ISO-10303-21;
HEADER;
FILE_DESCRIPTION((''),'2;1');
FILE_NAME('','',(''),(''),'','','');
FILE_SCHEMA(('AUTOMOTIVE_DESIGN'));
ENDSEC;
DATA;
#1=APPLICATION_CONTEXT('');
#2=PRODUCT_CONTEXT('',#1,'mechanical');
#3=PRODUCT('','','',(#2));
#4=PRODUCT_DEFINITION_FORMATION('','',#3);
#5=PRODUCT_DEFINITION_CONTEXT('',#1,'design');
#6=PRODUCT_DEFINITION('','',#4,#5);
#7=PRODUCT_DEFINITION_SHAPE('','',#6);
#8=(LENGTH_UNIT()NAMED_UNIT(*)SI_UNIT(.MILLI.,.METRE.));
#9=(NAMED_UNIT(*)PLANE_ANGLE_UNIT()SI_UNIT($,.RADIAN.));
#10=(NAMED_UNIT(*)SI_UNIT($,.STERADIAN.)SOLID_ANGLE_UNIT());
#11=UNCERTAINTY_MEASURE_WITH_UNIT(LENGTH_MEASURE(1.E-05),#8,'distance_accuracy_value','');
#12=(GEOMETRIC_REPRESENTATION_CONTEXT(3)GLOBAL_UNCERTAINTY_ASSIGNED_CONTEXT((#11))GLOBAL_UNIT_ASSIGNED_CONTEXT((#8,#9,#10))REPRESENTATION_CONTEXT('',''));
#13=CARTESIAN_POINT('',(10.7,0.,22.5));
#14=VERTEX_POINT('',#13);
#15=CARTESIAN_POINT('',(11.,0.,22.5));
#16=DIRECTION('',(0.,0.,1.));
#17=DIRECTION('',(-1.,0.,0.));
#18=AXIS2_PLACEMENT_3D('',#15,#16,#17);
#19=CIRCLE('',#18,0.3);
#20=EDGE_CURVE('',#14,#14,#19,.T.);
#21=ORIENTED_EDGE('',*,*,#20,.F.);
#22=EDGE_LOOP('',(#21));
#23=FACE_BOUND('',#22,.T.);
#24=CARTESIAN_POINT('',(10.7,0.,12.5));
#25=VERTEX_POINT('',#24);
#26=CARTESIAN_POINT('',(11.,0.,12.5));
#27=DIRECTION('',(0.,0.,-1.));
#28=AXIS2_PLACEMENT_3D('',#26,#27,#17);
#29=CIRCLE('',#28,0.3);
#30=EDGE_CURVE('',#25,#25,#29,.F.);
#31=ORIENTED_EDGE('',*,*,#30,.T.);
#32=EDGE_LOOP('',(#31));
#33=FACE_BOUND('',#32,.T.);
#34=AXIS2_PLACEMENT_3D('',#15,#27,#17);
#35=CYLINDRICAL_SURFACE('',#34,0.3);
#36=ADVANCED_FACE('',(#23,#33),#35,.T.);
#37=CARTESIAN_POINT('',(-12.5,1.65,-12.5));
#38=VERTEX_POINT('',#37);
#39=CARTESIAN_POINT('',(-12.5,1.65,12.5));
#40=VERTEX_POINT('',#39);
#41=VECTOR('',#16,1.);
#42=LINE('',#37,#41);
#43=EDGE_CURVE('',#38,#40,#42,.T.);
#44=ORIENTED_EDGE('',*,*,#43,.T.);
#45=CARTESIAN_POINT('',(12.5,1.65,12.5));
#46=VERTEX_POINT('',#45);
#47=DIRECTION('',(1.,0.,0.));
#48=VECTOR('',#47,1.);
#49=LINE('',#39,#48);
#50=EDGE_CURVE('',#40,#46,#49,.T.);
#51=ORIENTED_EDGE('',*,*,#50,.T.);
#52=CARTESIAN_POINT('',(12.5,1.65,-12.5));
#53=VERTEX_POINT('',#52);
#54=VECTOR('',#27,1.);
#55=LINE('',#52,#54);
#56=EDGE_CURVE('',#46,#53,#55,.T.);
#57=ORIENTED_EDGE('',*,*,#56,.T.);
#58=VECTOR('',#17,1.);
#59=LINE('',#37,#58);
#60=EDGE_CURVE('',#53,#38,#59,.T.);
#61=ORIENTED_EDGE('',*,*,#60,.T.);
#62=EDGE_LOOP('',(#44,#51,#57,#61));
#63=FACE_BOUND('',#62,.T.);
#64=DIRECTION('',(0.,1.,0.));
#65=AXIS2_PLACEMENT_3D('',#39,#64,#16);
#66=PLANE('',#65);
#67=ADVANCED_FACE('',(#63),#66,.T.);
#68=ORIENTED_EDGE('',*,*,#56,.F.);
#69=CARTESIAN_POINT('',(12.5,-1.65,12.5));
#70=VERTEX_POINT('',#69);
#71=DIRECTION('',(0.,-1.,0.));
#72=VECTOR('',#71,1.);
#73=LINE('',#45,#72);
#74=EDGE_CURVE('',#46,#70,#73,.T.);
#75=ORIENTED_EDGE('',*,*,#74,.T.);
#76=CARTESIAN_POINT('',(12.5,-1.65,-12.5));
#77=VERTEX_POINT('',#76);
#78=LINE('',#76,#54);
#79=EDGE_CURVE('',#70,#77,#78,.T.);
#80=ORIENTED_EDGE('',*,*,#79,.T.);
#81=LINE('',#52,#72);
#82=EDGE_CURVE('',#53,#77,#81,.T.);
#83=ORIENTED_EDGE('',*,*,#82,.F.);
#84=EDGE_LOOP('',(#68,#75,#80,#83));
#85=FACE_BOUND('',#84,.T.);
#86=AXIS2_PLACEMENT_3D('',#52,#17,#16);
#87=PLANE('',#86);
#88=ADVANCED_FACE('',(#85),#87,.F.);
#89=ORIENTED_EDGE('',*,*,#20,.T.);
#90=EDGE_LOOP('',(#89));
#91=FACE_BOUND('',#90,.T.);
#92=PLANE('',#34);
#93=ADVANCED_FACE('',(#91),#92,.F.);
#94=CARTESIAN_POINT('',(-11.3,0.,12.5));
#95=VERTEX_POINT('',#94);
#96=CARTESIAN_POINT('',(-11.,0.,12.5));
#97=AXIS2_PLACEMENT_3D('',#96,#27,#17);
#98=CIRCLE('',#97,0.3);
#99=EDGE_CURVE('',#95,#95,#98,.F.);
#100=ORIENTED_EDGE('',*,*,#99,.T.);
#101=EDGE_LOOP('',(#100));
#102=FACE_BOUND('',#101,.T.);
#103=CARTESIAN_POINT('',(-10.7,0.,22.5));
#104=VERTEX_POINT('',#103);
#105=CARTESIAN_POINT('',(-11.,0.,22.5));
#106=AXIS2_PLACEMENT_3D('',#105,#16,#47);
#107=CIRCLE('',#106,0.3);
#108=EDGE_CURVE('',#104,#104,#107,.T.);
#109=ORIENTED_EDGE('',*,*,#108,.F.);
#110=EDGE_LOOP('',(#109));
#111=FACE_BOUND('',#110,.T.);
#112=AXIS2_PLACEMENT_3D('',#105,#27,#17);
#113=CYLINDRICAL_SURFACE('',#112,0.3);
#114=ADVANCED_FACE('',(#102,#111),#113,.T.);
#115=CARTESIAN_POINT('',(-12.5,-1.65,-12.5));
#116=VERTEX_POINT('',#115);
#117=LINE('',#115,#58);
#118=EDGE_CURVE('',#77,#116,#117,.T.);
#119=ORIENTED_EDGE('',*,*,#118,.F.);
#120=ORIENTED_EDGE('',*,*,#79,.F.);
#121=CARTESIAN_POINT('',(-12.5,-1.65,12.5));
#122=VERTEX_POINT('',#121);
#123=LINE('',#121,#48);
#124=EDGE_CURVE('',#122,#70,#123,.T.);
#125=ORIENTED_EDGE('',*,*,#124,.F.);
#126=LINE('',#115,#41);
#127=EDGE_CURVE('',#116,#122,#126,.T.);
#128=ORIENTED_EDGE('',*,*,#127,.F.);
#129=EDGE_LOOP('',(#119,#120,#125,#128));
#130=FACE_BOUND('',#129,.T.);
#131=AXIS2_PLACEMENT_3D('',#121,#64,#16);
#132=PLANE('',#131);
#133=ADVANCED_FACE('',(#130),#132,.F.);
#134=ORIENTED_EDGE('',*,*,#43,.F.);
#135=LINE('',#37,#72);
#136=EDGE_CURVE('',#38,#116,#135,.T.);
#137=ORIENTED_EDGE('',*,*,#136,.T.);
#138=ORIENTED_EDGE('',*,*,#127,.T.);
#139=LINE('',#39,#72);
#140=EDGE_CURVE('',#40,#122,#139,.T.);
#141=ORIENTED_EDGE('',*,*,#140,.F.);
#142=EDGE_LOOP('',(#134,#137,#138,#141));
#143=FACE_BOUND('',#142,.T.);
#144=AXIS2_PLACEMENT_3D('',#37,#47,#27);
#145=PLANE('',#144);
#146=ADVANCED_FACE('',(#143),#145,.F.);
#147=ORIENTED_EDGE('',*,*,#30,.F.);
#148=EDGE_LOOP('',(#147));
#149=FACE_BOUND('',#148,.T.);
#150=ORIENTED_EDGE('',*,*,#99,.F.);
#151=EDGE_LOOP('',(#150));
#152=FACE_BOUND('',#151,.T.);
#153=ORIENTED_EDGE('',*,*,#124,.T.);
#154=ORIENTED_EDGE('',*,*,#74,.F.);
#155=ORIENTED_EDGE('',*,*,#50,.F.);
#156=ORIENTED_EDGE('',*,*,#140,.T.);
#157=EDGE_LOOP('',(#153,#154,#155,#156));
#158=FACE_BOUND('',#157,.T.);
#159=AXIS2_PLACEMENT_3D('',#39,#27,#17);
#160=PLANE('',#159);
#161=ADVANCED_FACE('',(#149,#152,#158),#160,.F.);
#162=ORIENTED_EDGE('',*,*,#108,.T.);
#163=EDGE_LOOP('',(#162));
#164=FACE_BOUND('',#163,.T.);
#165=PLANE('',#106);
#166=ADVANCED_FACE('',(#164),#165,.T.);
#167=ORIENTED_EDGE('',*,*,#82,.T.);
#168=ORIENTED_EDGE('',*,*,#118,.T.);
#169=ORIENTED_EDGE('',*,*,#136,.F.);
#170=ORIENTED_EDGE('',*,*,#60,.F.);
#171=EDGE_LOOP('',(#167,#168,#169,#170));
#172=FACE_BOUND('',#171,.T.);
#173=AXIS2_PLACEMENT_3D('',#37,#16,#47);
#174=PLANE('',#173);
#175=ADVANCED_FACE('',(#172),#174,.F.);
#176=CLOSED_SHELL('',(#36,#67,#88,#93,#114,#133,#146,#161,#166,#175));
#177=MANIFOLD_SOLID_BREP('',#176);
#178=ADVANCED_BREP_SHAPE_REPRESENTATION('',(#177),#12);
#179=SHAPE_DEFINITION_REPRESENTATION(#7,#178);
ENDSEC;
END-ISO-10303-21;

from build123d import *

# Parameters (mm, degrees)
EXTRUDE_1_DEPTH      = 1.65
EXTRUDE_1_DEPTH_BACK = 1.65
SKETCH_1_W           = 25
SKETCH_1_H           = 25
SKETCH_2_R           = 0.3
EXTRUDE_2_DEPTH      = 10


with BuildPart() as part:
    # 草图1 → 拉伸1 (new, two sides: drawn at the far end of the back side and taken through both)
    with BuildSketch(Plane(origin=(0, 0, 0), x_dir=(1, 0, 0), z_dir=(0, 1, 0)).offset(-EXTRUDE_1_DEPTH_BACK)):
        Rectangle(SKETCH_1_W, SKETCH_1_H)
    extrude(amount=EXTRUDE_1_DEPTH + EXTRUDE_1_DEPTH_BACK)

    # 草图2 → 拉伸2 (add)
    with BuildSketch(Plane.XY.offset(12.5)):
        with Locations((-11, 0)):
            Circle(SKETCH_2_R)
        with Locations((11, 0)):
            Circle(SKETCH_2_R)
    extrude(amount=EXTRUDE_2_DEPTH)


solid = part.part
